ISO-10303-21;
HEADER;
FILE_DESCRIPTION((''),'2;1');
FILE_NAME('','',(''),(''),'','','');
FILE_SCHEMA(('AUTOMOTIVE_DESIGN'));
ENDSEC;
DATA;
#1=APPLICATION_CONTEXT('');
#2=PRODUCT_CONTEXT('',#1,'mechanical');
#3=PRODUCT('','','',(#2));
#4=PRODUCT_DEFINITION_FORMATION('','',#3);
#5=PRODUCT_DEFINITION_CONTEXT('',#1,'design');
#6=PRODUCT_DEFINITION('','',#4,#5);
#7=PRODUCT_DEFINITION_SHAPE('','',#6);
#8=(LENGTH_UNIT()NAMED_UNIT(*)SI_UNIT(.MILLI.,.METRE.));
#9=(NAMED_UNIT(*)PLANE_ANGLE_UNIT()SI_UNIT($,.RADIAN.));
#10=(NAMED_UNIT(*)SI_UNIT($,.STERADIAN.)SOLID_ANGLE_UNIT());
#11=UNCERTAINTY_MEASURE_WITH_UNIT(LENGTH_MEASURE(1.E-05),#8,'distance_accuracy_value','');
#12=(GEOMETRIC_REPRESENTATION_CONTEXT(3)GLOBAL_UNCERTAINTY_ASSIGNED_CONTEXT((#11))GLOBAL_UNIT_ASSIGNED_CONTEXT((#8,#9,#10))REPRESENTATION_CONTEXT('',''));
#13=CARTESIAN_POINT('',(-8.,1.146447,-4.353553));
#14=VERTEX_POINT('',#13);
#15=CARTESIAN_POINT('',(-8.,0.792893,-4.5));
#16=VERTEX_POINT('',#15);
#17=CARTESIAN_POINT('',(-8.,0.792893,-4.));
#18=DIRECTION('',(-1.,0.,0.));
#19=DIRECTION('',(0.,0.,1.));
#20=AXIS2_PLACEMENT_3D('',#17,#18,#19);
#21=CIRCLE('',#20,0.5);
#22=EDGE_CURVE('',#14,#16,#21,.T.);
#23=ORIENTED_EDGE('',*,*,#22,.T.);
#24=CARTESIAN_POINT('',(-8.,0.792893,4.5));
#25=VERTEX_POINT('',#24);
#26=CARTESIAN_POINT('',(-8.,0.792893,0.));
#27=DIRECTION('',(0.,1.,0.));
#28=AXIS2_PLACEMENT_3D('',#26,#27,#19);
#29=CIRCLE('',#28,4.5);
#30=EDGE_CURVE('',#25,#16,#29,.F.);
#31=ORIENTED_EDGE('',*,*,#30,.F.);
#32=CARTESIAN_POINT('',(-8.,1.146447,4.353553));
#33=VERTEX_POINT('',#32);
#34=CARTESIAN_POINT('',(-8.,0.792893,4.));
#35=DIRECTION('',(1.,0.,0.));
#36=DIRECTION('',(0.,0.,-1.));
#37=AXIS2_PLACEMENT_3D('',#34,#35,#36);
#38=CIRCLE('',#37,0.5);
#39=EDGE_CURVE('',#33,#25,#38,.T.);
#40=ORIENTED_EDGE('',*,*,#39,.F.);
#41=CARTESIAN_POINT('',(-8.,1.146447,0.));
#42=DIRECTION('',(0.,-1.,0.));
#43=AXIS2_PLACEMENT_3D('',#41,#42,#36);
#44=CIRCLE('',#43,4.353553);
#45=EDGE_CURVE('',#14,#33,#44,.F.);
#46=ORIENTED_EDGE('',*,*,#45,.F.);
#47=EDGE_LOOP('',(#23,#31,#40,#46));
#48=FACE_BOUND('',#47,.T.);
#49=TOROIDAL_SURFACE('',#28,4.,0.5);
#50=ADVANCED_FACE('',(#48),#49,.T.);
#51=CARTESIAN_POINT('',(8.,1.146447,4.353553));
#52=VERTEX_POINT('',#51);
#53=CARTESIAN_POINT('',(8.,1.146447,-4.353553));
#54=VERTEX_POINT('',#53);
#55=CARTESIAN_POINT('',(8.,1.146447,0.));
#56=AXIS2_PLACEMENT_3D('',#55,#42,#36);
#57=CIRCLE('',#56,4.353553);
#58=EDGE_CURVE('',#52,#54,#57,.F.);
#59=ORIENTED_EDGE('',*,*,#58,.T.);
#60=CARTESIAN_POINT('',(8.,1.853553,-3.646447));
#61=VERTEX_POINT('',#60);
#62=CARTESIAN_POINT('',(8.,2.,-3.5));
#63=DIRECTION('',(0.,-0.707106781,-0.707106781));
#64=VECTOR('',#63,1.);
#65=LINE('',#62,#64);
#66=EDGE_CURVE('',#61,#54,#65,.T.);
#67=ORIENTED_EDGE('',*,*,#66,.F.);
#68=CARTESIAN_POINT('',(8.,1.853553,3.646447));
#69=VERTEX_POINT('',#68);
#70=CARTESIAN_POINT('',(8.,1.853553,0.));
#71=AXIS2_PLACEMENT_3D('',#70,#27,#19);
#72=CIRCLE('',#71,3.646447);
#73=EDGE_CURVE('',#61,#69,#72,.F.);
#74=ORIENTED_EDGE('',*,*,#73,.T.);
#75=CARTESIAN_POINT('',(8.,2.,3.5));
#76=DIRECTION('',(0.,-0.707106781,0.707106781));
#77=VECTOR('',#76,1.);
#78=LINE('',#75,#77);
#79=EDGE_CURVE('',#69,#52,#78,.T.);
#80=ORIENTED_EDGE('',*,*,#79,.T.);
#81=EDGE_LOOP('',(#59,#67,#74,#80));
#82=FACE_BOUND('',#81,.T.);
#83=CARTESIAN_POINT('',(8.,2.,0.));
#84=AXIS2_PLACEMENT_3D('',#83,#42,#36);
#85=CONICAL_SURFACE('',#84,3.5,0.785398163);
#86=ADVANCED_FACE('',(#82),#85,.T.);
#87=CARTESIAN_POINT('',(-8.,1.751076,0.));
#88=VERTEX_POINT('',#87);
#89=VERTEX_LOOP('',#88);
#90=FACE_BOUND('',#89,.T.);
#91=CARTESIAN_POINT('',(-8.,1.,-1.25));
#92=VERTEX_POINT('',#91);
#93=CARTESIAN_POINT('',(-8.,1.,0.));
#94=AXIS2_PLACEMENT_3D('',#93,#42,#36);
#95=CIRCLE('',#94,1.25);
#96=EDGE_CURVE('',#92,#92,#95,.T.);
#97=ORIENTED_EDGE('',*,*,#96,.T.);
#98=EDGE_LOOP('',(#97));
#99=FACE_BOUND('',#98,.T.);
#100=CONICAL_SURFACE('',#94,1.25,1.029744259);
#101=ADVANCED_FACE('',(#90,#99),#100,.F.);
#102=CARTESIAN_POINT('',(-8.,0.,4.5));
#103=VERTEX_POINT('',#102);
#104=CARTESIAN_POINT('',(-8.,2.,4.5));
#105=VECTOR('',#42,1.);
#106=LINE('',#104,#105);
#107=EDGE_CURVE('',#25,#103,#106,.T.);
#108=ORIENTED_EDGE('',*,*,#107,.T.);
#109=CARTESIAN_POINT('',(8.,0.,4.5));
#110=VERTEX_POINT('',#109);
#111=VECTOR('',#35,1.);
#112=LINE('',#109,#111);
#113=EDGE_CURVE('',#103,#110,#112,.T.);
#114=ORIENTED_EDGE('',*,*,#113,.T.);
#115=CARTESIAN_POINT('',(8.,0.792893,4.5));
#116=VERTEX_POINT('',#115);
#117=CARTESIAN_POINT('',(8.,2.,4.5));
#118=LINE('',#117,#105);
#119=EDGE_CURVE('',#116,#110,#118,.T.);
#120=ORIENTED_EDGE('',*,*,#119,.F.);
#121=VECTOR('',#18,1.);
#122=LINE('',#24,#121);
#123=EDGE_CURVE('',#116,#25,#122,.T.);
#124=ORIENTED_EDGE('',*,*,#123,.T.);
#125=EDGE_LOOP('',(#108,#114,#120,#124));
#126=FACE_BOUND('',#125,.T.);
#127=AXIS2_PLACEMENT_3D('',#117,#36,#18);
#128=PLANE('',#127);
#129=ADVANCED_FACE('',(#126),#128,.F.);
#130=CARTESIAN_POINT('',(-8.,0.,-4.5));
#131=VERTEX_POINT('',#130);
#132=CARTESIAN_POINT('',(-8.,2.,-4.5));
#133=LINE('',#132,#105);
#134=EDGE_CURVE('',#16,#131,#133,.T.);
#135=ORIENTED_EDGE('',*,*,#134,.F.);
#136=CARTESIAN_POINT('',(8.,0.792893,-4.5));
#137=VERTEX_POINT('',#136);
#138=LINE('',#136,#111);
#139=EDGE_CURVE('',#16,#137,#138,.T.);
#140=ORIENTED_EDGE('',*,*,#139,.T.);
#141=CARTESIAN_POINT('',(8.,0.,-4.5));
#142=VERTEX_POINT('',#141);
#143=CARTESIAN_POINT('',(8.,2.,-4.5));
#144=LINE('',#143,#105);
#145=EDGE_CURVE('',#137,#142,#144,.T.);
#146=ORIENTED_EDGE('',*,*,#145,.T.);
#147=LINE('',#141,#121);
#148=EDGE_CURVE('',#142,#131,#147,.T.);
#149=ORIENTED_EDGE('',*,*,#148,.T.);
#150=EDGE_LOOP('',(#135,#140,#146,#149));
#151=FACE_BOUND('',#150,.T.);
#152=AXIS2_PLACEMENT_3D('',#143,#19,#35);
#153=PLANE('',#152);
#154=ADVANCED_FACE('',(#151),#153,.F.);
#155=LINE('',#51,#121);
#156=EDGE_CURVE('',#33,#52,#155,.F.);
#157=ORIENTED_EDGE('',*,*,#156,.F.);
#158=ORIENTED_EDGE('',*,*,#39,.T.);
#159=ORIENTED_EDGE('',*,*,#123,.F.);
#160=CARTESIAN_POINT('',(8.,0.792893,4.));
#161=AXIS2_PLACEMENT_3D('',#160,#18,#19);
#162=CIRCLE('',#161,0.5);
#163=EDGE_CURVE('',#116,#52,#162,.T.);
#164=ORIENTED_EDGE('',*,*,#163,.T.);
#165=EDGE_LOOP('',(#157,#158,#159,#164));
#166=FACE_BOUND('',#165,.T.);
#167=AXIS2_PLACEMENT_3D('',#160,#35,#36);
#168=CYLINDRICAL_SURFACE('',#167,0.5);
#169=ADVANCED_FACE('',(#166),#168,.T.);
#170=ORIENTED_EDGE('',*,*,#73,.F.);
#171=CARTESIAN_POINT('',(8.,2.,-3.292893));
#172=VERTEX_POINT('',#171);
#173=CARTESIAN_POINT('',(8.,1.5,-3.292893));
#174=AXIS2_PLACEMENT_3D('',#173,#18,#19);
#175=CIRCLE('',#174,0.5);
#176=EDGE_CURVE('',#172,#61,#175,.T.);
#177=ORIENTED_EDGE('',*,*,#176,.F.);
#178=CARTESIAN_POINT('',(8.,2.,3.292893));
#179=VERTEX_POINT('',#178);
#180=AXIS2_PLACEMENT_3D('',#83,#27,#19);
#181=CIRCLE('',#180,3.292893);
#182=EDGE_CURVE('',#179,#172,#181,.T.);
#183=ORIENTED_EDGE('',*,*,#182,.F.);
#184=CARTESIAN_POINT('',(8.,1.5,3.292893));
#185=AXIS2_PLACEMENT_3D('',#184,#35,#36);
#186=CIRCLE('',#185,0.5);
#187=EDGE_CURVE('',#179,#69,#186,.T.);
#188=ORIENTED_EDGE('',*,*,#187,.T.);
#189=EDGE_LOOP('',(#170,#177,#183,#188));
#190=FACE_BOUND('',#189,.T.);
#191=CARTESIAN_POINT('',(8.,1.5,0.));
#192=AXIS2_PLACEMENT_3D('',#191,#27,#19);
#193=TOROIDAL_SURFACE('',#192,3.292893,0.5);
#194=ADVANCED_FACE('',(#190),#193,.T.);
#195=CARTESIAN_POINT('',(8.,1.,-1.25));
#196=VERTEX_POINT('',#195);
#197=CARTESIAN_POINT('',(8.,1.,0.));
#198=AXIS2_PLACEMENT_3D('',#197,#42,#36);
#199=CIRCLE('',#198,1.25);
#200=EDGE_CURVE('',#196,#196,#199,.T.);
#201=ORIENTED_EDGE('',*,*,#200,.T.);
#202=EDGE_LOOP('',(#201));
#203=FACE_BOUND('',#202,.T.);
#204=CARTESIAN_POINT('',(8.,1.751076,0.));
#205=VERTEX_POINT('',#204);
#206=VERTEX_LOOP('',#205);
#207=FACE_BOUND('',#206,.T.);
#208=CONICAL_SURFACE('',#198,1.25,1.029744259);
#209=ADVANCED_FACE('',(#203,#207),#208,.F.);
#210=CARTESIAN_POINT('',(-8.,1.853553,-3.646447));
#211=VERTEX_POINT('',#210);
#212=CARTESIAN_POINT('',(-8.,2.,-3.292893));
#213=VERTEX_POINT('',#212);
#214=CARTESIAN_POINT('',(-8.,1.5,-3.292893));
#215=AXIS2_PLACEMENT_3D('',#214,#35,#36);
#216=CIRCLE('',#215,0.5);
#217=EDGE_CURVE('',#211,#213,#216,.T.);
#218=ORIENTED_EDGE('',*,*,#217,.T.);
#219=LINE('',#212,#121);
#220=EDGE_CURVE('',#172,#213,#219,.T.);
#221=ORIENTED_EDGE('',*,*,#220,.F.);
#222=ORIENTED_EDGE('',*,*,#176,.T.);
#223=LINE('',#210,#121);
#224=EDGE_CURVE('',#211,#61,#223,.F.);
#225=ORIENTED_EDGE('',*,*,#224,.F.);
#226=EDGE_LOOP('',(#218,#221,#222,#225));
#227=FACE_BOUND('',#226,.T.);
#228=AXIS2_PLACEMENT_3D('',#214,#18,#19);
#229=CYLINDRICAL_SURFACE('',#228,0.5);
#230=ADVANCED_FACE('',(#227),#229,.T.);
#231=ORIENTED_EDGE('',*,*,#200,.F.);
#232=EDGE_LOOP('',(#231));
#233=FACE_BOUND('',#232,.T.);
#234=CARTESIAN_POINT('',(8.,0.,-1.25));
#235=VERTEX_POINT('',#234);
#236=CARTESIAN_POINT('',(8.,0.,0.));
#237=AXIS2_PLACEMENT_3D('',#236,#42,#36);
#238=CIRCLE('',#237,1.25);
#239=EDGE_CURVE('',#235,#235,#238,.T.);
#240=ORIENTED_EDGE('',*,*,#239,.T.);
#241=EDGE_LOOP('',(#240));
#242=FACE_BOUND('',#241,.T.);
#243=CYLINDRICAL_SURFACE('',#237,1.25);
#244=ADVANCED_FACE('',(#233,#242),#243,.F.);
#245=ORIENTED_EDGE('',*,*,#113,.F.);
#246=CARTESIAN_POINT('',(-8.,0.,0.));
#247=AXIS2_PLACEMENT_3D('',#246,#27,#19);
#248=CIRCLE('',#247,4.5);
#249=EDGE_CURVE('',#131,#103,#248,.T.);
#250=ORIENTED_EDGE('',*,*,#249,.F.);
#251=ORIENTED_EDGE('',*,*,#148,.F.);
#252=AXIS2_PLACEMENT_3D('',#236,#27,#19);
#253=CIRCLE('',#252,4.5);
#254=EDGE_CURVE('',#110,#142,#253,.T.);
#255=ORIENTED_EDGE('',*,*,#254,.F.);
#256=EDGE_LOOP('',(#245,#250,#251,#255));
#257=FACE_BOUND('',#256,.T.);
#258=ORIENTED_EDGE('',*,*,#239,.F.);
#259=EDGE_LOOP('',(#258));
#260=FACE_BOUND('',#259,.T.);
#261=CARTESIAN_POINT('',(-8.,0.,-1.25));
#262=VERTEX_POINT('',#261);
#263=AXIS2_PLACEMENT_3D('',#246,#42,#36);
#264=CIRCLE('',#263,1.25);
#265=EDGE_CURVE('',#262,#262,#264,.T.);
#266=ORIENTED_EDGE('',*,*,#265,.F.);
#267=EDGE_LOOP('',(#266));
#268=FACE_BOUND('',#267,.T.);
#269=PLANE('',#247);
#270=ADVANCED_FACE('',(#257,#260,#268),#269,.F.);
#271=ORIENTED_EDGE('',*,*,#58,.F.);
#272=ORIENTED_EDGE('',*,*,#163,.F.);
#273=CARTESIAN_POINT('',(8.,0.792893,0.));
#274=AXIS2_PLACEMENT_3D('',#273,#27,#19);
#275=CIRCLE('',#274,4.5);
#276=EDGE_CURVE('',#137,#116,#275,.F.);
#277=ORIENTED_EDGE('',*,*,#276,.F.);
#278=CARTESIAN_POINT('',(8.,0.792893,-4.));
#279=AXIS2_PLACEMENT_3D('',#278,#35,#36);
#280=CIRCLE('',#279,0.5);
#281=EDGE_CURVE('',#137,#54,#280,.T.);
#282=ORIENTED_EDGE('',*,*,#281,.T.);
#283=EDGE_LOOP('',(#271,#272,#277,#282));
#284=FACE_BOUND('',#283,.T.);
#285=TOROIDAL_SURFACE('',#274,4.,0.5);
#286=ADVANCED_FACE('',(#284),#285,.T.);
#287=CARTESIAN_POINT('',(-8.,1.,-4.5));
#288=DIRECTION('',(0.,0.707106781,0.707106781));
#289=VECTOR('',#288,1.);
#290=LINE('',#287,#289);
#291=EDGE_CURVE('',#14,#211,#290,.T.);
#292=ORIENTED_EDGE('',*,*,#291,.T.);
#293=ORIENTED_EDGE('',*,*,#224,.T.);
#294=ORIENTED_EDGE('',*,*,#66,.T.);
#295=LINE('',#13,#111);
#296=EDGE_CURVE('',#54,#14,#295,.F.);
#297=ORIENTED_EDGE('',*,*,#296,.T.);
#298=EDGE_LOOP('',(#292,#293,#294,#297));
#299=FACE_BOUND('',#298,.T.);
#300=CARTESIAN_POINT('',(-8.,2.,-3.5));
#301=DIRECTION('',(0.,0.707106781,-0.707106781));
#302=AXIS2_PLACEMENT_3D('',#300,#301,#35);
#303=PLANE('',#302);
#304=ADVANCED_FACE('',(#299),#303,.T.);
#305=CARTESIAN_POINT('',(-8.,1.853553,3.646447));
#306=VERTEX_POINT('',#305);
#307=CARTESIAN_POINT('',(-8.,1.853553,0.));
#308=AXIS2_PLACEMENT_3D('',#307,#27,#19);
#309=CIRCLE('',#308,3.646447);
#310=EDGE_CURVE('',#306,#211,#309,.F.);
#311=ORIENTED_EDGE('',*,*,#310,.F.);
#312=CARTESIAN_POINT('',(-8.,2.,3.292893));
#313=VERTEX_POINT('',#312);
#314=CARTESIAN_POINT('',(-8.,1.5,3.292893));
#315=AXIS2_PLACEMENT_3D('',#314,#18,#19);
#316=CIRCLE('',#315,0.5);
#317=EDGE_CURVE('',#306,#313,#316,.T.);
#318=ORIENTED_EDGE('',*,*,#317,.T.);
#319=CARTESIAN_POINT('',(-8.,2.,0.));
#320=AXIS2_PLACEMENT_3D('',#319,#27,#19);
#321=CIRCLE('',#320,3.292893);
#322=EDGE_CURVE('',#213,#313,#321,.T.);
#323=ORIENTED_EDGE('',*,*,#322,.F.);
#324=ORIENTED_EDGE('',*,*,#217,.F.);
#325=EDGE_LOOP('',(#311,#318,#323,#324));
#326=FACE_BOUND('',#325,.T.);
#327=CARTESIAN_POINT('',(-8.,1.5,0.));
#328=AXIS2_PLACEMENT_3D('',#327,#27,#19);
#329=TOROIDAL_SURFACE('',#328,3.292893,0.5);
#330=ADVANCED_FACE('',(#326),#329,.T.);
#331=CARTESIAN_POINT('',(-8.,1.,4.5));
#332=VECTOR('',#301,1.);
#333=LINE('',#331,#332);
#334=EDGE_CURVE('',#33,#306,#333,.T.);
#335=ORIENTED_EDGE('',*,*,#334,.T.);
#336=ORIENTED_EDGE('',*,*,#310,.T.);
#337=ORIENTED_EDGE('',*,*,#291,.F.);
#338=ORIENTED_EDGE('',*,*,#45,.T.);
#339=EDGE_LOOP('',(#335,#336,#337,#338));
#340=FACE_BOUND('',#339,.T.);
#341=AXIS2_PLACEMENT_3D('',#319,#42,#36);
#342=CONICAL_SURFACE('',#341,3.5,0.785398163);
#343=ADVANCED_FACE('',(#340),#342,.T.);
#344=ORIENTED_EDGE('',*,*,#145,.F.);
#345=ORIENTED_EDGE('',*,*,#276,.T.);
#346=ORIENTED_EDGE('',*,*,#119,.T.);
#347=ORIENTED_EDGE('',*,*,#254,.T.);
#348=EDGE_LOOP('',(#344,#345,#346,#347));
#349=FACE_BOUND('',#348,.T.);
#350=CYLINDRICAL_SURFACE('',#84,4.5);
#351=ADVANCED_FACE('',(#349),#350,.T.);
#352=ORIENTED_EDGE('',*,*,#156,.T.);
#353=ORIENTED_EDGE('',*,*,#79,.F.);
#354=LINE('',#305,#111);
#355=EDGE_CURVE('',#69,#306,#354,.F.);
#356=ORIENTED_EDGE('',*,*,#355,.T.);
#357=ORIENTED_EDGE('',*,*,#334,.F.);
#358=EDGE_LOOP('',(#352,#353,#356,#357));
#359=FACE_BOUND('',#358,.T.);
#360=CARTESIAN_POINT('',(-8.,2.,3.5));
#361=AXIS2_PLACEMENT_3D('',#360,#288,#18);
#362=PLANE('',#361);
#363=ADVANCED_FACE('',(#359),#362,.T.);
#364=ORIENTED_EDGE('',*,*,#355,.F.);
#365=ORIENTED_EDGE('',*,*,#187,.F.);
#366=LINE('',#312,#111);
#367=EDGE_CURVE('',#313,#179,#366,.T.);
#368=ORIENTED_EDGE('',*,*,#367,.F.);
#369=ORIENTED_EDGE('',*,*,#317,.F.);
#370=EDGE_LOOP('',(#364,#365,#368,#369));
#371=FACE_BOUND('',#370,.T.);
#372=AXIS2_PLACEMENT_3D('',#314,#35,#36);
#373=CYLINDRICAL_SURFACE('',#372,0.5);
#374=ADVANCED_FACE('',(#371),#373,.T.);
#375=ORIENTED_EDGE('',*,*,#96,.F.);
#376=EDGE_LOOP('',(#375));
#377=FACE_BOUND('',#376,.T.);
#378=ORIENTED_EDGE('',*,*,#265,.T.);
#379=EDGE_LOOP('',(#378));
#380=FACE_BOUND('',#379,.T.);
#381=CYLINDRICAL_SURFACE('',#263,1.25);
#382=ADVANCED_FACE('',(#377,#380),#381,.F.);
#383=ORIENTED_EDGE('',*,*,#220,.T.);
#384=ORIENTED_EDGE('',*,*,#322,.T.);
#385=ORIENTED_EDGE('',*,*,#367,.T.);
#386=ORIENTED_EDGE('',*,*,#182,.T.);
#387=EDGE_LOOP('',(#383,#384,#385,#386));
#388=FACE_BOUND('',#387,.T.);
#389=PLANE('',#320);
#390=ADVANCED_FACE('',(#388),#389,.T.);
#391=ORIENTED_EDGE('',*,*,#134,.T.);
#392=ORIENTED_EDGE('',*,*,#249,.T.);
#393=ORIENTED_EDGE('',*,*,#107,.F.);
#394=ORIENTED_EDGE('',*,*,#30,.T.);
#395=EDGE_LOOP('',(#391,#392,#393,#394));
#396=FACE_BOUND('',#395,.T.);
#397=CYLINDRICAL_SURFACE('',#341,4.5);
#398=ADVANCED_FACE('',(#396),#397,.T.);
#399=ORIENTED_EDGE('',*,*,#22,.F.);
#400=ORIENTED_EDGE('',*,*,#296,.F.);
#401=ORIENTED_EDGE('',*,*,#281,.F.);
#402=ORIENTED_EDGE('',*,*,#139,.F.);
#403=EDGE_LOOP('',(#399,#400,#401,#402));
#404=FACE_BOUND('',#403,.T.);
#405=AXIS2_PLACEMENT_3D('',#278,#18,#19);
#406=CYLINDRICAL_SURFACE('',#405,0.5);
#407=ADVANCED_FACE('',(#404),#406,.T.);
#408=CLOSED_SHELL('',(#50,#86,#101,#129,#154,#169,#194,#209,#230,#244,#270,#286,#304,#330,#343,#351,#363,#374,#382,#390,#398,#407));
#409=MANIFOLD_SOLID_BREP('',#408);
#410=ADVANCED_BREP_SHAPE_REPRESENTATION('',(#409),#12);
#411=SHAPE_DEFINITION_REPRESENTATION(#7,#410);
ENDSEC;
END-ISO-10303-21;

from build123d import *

# Parameters (mm, degrees)
BOSS_EXTRUDE1_DEPTH             = 2
TAP_DRILL_FOR_M3X0_5_TAP1_D     = 2.5
TAP_DRILL_FOR_M3X0_5_TAP1_DEPTH = 1
TAP_DRILL_FOR_M3X0_5_TAP1_TIP   = 0.751075774
CHAMFER3_SIZE                   = 1
FILLET1_R                       = 0.5


with BuildPart() as part:
    # Sketch1 → Boss-Extrude1 (new body)
    with BuildSketch(Plane(origin=(0, 0, 0), x_dir=(1, 0, 0), z_dir=(0, 1, 0))):
        with BuildLine():
            Line((8, -4.5), (-8, -4.5))
            ThreePointArc((-8, -4.5), (-12.5, 0), (-8, 4.5))
            Line((-8, 4.5), (8, 4.5))
            ThreePointArc((8, 4.5), (12.5, 0), (8, -4.5))
        make_face()
    extrude(amount=BOSS_EXTRUDE1_DEPTH)

    # Tap Drill for M3x0.5 Tap1
    with Locations(Plane.XZ):
        with Locations((-8, 0), (8, 0)):
            Hole(TAP_DRILL_FOR_M3X0_5_TAP1_D / 2, depth=TAP_DRILL_FOR_M3X0_5_TAP1_DEPTH)
            with Locations((0, 0, -(TAP_DRILL_FOR_M3X0_5_TAP1_DEPTH + TAP_DRILL_FOR_M3X0_5_TAP1_TIP / 2))):  # 118° drill point
                Cone(0, TAP_DRILL_FOR_M3X0_5_TAP1_D / 2, TAP_DRILL_FOR_M3X0_5_TAP1_TIP, mode=Mode.SUBTRACT)

    # Chamfer3
    chamfer3_edges = [part.edges().sort_by_distance(p)[0] for p in [
        (12.5, 2, 0),
        (0, 2, -4.5),
        (-12.5, 2, 0),
        (0, 2, 4.5),
    ]]
    chamfer(chamfer3_edges, length=CHAMFER3_SIZE)

    # Fillet1
    fillet1_edges = [part.edges().sort_by_distance(p)[0] for p in [
        (0, 2, 3.5),
        (11.5, 2, 0),
        (-11.5, 2, 0),
        (0, 2, -3.5),
        (0, 1, -4.5),
        (-12.5, 1, 0),
        (12.5, 1, 0),
        (0, 1, 4.5),
    ]]
    fillet(fillet1_edges, radius=FILLET1_R)


solid = part.part
